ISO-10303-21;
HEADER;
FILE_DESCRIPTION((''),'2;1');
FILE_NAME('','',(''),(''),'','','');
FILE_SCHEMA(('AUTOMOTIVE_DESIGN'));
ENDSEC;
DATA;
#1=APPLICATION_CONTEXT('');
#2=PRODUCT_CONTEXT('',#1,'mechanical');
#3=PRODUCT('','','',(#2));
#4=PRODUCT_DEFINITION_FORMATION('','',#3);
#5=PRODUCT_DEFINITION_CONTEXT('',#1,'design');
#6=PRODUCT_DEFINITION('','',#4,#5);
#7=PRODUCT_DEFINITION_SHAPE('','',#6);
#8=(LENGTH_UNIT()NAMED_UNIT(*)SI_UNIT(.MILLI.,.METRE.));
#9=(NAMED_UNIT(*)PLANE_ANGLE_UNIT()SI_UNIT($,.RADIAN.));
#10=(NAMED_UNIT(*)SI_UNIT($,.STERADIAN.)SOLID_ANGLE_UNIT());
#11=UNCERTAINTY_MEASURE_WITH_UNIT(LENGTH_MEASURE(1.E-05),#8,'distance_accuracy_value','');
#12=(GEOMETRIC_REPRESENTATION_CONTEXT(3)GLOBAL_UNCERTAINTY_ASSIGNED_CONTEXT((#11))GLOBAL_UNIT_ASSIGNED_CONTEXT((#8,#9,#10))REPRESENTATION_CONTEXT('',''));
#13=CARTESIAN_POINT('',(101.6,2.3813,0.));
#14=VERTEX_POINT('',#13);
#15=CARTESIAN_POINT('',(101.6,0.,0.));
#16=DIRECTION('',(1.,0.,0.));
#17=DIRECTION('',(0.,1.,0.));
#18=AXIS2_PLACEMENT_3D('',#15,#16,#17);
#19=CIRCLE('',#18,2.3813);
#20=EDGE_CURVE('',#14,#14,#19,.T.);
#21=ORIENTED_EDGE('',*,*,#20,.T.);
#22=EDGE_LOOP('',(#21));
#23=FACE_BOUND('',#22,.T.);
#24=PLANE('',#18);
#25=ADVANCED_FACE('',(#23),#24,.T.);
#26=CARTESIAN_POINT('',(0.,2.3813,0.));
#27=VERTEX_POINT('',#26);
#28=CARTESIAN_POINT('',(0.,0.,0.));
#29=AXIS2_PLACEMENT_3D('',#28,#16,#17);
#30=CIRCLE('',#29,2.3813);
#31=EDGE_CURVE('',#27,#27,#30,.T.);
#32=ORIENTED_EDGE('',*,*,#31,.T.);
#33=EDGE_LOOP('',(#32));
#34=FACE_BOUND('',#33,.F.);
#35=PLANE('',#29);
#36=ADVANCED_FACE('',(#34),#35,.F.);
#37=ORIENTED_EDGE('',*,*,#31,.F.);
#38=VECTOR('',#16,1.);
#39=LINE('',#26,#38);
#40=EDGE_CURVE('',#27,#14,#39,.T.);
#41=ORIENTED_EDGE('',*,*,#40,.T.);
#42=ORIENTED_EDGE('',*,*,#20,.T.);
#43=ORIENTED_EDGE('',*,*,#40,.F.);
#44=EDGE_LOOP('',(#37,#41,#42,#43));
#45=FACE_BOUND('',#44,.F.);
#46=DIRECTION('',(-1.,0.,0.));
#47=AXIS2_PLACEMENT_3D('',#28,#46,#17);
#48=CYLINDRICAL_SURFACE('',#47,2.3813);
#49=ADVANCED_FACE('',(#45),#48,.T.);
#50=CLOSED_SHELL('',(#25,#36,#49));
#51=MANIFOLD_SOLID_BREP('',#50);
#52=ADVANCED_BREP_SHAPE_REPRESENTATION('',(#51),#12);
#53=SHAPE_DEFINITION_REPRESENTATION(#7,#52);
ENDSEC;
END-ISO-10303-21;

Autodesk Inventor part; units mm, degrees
ref_plane "YZ Plane" through (0, 0, 0) normal (1, 0, 0) x (0, 1, 0)
ref_plane "XZ Plane" through (0, 0, 0) normal (0, 1, 0) x (-1, 0, 0)
ref_plane "XY Plane" through (0, 0, 0) normal (0, 0, 1) x (1, 0, 0)
sketch "Sketch1" plane through (0, 0, 0) normal (1, 0, 0) x (0, 1, 0)
  circle A0 centre (0, 0) radius 2.3813
  dimension "d0" = 4.7625
extrude "Extrusion1" add sketch "Sketch1" along normal blind 101.6
